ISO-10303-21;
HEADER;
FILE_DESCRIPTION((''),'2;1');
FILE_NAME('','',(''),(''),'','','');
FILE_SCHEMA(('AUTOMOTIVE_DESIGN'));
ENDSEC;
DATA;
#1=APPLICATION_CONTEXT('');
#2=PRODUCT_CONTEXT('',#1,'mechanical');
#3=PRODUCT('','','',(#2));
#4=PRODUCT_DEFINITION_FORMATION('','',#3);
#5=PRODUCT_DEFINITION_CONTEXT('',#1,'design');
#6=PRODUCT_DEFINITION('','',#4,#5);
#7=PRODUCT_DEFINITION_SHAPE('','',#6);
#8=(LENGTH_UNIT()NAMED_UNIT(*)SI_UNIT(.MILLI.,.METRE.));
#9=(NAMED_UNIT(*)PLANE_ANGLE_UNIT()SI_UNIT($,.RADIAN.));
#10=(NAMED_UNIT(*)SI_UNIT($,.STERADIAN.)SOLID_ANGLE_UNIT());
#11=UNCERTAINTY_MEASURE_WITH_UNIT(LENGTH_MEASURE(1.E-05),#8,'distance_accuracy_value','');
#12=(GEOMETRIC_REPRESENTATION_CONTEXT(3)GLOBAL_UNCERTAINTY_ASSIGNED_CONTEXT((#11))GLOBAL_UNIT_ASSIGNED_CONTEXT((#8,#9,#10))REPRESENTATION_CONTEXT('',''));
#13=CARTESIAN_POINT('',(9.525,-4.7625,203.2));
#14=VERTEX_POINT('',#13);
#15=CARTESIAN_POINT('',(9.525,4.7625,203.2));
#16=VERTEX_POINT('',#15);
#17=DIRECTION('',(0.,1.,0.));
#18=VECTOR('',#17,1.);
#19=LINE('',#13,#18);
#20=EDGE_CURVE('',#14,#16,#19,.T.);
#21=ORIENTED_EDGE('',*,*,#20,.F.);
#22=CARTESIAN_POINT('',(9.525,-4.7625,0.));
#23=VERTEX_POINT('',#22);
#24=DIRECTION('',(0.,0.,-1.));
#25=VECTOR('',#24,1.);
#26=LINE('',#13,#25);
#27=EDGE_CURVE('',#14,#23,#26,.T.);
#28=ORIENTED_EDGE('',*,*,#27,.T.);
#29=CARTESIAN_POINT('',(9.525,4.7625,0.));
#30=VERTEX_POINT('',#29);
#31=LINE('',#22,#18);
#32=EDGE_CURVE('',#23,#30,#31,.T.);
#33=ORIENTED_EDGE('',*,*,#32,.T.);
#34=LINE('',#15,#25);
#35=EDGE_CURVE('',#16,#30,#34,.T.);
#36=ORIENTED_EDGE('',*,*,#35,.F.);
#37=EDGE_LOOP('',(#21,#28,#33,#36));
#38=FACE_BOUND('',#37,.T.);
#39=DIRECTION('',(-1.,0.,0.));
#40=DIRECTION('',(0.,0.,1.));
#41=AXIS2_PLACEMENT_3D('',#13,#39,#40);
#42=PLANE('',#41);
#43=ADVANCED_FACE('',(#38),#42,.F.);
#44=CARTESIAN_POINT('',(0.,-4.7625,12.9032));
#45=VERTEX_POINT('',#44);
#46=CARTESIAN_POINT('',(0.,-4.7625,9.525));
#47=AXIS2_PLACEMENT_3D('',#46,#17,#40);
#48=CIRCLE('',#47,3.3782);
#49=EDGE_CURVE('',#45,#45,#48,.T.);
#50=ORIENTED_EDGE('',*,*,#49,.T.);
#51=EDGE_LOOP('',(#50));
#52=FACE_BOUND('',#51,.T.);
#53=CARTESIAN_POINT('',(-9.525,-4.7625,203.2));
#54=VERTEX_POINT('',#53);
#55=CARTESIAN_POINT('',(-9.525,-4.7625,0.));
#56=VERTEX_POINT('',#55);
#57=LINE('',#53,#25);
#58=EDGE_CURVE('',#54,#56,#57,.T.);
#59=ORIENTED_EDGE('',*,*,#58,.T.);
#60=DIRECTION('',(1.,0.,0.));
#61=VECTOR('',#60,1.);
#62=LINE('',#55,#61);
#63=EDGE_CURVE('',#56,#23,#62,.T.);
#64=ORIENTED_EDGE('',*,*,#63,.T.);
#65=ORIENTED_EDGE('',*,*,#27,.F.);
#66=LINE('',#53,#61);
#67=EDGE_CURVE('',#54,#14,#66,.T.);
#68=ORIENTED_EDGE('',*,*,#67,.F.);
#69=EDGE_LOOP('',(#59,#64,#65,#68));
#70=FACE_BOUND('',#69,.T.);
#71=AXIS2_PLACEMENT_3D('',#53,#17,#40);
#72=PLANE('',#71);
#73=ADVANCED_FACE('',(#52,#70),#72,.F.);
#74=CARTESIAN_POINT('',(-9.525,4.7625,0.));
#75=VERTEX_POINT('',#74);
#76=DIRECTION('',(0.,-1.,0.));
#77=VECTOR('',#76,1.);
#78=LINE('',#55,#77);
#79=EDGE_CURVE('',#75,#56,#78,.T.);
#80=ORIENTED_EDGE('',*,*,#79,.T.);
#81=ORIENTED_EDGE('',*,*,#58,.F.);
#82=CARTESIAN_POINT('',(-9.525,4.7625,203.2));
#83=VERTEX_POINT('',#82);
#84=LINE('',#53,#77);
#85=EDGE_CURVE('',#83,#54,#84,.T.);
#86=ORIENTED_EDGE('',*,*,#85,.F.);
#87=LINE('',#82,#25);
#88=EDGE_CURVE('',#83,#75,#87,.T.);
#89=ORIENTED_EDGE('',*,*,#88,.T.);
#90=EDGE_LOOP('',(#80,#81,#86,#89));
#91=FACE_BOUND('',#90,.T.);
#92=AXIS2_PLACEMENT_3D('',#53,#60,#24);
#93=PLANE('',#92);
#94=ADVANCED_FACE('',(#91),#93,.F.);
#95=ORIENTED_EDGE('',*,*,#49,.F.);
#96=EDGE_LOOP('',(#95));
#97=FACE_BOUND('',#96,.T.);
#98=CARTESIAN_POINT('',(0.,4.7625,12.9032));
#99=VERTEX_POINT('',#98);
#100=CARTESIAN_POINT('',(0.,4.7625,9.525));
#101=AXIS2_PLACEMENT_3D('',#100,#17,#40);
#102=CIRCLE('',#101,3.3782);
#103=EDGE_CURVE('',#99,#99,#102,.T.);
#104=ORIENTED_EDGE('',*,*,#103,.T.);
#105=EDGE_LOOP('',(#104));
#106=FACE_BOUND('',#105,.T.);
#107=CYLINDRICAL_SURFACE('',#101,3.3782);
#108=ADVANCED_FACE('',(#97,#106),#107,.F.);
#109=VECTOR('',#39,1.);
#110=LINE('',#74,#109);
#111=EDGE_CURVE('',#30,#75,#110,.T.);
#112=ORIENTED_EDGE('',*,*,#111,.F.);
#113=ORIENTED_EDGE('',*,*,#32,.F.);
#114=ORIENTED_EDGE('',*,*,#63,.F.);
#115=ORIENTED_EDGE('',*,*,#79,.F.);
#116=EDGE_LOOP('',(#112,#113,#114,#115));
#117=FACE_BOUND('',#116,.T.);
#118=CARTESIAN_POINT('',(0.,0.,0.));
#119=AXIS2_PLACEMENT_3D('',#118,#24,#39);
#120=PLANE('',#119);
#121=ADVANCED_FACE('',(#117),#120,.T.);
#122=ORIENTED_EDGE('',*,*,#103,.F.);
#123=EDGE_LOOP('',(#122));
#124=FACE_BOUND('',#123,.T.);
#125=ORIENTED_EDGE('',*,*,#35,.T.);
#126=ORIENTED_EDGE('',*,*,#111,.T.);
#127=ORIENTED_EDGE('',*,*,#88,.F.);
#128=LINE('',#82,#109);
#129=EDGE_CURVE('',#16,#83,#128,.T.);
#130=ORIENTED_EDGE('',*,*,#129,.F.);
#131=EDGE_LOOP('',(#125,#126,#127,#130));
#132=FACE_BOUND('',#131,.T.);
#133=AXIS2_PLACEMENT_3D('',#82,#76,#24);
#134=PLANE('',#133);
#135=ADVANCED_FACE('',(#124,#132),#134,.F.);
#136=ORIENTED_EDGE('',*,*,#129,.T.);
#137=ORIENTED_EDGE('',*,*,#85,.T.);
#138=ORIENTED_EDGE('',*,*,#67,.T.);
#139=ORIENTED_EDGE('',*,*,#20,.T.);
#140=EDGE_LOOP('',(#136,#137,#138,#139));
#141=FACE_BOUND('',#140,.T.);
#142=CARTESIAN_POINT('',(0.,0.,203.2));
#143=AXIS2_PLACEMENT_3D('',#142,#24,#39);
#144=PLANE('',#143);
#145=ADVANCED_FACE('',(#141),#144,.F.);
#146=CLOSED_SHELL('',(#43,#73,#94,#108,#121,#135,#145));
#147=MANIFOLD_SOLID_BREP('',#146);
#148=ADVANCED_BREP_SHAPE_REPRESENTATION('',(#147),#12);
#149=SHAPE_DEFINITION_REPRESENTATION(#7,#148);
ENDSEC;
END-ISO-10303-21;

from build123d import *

# Parameters (mm, degrees)
SKETCH1_W               = 19.05
SKETCH1_H               = 9.525
BOSS_EXTRUDE1_DEPTH     = 203.2
F_1_4_CLEARANCE_HOLE1_D = 6.7564


with BuildPart() as part:
    # Sketch1 → Boss-Extrude1 (new body)
    with BuildSketch(Plane.XY):
        Rectangle(SKETCH1_W, SKETCH1_H)
    extrude(amount=BOSS_EXTRUDE1_DEPTH)

    # 1/4 Clearance Hole1 (through all)
    with Locations(Plane(origin=(0, 4.7625, 0), x_dir=(1, 0, 0), z_dir=(0, 1, 0))):
        with Locations((0, -9.525)):
            Hole(F_1_4_CLEARANCE_HOLE1_D / 2)


solid = part.part
